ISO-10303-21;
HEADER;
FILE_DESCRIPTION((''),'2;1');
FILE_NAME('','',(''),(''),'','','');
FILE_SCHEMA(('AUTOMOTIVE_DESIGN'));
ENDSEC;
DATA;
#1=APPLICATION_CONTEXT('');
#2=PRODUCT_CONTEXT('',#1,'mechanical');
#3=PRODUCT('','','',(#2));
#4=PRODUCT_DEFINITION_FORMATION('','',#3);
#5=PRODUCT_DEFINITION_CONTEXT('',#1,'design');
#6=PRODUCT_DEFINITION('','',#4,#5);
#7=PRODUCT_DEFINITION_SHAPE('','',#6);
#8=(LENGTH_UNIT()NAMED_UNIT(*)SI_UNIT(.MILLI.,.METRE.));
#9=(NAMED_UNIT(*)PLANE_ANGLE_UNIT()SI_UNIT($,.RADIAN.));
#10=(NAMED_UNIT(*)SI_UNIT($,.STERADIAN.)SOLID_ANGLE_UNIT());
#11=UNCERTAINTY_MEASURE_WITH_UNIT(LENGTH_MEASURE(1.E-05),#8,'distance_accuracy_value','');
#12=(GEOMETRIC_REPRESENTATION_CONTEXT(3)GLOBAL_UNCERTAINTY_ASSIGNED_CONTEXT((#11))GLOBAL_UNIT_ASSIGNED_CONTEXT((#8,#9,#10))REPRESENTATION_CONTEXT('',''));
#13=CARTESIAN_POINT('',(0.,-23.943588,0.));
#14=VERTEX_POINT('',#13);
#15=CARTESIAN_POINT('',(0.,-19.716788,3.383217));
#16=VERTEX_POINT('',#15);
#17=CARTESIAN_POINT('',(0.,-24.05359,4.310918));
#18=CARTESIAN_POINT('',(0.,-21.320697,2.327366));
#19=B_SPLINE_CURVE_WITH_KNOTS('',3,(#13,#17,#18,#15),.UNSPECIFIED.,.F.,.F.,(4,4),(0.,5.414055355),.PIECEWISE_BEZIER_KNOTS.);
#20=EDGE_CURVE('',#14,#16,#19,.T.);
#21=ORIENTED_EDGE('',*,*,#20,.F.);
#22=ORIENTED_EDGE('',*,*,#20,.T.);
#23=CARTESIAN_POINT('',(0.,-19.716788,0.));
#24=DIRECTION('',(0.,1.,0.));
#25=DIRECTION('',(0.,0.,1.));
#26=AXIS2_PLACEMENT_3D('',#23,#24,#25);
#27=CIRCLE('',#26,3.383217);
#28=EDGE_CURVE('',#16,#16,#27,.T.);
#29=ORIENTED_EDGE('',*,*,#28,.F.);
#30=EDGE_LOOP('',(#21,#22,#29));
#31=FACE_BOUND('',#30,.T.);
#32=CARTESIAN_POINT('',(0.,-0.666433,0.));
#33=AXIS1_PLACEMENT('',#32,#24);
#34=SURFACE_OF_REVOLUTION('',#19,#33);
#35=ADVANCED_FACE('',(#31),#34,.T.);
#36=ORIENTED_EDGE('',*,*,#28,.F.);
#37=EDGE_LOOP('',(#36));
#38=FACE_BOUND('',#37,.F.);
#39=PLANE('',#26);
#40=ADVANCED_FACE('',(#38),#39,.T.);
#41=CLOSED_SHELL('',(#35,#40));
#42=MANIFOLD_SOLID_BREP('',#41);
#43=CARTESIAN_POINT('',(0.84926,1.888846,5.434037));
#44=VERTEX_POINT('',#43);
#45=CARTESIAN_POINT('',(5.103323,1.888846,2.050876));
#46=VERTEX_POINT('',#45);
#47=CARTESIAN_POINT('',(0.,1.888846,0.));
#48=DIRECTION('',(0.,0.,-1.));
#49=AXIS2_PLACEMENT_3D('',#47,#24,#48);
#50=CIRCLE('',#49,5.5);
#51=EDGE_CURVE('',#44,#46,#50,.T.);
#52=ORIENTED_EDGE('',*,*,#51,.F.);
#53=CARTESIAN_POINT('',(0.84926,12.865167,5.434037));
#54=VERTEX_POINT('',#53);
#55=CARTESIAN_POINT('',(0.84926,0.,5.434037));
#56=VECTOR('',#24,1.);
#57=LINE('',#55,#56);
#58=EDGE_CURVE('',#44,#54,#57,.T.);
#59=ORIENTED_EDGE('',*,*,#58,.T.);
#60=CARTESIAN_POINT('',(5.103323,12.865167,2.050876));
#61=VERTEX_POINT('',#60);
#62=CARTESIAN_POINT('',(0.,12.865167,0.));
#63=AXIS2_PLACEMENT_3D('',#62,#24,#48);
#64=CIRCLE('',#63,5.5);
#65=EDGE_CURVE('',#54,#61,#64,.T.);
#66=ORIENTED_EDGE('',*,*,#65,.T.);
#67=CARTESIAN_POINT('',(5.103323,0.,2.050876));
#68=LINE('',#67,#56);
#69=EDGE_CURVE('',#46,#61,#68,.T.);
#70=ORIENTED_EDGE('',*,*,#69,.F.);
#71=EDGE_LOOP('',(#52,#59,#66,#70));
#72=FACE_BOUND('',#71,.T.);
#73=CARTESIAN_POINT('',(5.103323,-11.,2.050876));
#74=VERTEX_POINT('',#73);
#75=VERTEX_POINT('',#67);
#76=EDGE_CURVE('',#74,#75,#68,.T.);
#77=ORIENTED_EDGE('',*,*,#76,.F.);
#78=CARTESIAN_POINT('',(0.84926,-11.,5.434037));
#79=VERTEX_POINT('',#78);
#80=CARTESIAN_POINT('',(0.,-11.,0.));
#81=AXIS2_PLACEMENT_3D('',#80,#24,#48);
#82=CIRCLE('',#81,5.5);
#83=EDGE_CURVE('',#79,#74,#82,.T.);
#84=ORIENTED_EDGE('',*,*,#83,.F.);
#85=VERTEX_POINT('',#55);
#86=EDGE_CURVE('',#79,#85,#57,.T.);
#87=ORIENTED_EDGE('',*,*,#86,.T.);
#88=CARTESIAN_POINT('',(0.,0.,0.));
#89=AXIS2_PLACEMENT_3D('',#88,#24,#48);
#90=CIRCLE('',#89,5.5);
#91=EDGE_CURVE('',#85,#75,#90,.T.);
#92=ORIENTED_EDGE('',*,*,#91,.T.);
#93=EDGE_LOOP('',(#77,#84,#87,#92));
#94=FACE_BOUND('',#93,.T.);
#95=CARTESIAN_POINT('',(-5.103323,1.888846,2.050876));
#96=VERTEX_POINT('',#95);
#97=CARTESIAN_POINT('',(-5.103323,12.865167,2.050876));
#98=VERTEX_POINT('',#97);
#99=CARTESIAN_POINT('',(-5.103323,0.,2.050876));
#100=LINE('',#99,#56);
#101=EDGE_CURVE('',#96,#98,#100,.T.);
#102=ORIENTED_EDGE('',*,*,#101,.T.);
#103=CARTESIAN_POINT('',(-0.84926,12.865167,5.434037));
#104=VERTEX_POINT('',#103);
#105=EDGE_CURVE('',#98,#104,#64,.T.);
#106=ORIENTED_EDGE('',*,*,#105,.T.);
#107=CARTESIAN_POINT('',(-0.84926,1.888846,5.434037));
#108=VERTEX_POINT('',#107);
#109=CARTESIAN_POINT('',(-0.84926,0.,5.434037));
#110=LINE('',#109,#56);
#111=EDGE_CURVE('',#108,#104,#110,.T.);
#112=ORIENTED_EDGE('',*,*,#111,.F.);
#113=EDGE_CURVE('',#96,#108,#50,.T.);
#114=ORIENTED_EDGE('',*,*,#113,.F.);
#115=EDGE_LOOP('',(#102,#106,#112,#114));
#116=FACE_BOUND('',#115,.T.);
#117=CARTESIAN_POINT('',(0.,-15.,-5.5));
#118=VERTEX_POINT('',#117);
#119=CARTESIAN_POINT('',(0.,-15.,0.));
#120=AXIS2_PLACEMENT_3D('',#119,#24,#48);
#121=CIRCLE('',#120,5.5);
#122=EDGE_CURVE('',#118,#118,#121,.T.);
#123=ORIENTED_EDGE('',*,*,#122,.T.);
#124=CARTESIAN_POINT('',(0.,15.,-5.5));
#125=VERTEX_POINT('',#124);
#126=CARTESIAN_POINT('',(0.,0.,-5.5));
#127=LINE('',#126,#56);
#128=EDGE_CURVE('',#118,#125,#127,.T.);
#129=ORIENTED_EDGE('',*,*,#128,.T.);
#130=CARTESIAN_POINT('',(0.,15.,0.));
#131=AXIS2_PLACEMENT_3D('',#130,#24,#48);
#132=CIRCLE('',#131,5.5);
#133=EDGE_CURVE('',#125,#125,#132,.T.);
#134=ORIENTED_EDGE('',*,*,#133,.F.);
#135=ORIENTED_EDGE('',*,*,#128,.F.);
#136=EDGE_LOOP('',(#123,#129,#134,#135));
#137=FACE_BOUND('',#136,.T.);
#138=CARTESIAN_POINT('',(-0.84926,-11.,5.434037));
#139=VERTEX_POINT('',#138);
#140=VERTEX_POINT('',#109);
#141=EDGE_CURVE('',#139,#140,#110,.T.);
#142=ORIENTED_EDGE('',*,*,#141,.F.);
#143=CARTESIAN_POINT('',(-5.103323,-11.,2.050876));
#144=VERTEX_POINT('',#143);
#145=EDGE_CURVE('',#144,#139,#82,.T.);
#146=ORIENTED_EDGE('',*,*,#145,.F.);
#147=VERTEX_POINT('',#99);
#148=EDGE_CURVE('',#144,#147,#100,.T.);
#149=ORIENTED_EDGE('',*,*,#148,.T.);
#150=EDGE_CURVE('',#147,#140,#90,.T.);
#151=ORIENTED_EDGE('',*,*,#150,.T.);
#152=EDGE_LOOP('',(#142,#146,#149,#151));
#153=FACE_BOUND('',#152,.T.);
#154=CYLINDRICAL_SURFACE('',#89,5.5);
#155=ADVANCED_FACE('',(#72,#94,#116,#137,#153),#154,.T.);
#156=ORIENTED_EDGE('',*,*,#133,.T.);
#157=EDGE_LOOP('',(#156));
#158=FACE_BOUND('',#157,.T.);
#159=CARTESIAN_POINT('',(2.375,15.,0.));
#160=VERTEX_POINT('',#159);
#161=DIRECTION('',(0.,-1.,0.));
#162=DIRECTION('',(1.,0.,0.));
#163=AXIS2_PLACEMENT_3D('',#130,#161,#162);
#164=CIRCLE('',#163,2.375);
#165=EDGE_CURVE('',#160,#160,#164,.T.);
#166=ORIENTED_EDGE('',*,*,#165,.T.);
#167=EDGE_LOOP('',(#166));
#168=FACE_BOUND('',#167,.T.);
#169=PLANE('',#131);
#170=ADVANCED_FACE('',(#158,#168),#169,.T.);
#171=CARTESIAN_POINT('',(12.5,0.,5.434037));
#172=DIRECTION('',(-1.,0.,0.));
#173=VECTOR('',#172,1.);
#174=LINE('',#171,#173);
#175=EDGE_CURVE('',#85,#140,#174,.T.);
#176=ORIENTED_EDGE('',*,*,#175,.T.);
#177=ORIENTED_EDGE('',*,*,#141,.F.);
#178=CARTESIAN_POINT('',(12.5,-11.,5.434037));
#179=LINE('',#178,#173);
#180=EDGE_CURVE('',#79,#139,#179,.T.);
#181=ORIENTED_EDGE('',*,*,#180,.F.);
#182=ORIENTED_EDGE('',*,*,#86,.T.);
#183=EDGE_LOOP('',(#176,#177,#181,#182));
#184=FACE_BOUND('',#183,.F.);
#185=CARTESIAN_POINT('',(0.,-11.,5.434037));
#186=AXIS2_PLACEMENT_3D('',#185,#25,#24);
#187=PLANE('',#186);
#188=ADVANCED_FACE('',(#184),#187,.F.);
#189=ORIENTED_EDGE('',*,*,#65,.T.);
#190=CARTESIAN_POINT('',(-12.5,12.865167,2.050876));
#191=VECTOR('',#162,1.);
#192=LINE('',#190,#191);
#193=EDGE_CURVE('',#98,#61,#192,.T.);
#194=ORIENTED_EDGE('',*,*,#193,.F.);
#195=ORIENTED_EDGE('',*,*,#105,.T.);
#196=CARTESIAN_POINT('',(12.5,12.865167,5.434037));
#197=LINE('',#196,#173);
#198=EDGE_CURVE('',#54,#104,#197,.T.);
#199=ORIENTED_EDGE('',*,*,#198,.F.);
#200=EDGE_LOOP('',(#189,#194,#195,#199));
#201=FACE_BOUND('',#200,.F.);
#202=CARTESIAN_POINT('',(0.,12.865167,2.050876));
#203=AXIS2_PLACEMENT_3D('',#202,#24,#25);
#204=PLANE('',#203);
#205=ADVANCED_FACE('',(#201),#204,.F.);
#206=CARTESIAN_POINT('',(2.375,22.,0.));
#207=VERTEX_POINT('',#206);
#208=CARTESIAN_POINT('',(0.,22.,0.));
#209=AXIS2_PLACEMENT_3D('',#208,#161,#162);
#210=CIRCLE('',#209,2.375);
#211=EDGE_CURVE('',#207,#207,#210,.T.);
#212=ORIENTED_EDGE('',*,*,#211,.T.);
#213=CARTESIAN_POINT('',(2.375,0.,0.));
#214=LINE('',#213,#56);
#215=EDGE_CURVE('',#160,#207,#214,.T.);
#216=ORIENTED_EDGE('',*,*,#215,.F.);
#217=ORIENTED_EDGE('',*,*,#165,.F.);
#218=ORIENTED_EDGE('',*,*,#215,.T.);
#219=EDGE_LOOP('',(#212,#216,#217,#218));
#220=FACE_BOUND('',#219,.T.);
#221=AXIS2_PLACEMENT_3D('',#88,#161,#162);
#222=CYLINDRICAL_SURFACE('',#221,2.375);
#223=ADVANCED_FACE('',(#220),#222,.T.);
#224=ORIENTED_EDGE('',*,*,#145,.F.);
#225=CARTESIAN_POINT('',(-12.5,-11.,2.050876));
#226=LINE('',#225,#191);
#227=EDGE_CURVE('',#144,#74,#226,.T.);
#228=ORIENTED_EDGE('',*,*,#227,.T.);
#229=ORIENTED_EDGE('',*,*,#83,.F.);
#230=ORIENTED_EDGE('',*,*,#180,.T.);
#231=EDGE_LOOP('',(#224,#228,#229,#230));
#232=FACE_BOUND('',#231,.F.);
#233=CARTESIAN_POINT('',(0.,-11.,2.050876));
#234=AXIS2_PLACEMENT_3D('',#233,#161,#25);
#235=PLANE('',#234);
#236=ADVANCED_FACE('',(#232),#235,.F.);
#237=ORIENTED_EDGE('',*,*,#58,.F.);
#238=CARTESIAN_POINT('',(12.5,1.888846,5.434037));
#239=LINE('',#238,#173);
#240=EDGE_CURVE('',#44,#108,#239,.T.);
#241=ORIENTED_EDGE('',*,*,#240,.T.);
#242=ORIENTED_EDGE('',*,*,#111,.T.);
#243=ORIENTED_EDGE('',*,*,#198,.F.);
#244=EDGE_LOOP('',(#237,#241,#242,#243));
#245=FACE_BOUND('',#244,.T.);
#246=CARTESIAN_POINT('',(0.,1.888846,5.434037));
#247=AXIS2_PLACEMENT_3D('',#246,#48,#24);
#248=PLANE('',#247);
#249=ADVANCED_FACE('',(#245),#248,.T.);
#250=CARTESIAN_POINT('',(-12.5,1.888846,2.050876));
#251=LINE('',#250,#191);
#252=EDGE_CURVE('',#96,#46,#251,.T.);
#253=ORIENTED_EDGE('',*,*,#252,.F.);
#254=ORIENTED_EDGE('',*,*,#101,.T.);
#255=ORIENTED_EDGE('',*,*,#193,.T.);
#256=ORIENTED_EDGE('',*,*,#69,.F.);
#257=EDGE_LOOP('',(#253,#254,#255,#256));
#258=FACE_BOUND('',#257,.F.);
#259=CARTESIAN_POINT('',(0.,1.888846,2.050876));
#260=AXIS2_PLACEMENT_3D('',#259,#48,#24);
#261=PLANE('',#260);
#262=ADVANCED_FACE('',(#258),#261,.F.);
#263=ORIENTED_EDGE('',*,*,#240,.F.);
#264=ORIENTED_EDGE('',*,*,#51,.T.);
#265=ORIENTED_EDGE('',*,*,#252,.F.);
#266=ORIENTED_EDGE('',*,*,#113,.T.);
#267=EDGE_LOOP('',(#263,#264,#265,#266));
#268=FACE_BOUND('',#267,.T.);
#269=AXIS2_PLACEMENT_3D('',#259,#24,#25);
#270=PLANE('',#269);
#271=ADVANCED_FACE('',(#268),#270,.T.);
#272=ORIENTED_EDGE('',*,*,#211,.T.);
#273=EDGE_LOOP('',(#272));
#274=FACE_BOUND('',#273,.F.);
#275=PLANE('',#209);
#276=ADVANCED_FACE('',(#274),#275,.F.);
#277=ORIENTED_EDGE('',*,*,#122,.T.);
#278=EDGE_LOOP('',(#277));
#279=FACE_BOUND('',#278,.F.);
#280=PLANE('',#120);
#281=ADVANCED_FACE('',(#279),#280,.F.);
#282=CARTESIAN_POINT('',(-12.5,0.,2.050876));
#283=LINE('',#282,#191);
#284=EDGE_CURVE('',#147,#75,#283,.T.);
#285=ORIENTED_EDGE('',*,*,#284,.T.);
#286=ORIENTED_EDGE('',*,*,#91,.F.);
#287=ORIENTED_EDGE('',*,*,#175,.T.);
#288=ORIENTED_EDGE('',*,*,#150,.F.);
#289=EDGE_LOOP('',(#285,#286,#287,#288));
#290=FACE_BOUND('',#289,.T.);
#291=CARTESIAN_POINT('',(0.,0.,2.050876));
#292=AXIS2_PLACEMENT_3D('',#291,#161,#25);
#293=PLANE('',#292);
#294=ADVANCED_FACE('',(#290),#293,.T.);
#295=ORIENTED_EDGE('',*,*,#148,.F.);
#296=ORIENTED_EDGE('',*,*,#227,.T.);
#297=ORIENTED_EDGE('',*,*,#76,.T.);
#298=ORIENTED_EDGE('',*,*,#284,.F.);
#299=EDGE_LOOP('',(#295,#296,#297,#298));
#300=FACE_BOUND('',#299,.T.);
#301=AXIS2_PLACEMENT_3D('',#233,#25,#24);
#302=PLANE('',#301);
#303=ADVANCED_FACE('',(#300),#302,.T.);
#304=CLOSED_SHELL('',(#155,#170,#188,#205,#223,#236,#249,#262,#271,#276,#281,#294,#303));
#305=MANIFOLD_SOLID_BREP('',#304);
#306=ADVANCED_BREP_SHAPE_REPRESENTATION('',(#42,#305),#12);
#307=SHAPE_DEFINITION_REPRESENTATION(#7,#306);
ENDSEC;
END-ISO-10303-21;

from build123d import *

# Parameters (mm, degrees)
F0_W     = 30
F0_H     = 5.5
F2_R     = 2.375
F3_DEPTH = 22
F6_W     = 11
F6_H     = 3.3831604108
F6_W_2   = 10.9763208394
F7_DEPTH = 12.5


with BuildPart() as f1:
    # F0 (on Right) → F1 (revolve)
    with BuildSketch(Plane.YZ):
        with Locations((0, -2.75)):
            Rectangle(F0_W, F0_H)
    revolve(axis=Axis((0, -0.666433014, 0), (0, 1, 0)))

    # F2 (on Front) → F3 (join)
    with BuildSketch(Plane.XZ):
        Circle(F2_R)
    extrude(amount=-F3_DEPTH)

    # F6 (on Right) → F7 (cut, symmetric)
    with BuildSketch(Plane.YZ):
        with Locations((-5.5, 3.7424566898)):
            Rectangle(F6_W, F6_H)
        with Locations((7.3770062923, 3.7424566898)):
            Rectangle(F6_W_2, F6_H)
    extrude(amount=F7_DEPTH, both=True, mode=Mode.SUBTRACT)


with BuildPart() as f5:
    # F4 (on Right) → F5 (revolve)
    with BuildSketch(Plane.YZ):
        with BuildLine():
            Line((-19.7167880833, 0), (-19.7167880833, 3.3832169138))
            add(Edge.make_bspline(
                [(-23.9435881376, 0), (-24.0535903722, 4.3109175749), (-21.3206969202, 2.3273658007), (-19.7167880833, 3.3832169138)],
                knots=[0, 0, 0, 0, 5.4140553548, 5.4140553548, 5.4140553548, 5.4140553548], degree=3))
            Line((-23.9435881376, 0), (-19.7167880833, 0))
        make_face()
    revolve(axis=Axis((0, -0.666433014, 0), (0, 1, 0)))


solid = Compound([f1.part, f5.part])
